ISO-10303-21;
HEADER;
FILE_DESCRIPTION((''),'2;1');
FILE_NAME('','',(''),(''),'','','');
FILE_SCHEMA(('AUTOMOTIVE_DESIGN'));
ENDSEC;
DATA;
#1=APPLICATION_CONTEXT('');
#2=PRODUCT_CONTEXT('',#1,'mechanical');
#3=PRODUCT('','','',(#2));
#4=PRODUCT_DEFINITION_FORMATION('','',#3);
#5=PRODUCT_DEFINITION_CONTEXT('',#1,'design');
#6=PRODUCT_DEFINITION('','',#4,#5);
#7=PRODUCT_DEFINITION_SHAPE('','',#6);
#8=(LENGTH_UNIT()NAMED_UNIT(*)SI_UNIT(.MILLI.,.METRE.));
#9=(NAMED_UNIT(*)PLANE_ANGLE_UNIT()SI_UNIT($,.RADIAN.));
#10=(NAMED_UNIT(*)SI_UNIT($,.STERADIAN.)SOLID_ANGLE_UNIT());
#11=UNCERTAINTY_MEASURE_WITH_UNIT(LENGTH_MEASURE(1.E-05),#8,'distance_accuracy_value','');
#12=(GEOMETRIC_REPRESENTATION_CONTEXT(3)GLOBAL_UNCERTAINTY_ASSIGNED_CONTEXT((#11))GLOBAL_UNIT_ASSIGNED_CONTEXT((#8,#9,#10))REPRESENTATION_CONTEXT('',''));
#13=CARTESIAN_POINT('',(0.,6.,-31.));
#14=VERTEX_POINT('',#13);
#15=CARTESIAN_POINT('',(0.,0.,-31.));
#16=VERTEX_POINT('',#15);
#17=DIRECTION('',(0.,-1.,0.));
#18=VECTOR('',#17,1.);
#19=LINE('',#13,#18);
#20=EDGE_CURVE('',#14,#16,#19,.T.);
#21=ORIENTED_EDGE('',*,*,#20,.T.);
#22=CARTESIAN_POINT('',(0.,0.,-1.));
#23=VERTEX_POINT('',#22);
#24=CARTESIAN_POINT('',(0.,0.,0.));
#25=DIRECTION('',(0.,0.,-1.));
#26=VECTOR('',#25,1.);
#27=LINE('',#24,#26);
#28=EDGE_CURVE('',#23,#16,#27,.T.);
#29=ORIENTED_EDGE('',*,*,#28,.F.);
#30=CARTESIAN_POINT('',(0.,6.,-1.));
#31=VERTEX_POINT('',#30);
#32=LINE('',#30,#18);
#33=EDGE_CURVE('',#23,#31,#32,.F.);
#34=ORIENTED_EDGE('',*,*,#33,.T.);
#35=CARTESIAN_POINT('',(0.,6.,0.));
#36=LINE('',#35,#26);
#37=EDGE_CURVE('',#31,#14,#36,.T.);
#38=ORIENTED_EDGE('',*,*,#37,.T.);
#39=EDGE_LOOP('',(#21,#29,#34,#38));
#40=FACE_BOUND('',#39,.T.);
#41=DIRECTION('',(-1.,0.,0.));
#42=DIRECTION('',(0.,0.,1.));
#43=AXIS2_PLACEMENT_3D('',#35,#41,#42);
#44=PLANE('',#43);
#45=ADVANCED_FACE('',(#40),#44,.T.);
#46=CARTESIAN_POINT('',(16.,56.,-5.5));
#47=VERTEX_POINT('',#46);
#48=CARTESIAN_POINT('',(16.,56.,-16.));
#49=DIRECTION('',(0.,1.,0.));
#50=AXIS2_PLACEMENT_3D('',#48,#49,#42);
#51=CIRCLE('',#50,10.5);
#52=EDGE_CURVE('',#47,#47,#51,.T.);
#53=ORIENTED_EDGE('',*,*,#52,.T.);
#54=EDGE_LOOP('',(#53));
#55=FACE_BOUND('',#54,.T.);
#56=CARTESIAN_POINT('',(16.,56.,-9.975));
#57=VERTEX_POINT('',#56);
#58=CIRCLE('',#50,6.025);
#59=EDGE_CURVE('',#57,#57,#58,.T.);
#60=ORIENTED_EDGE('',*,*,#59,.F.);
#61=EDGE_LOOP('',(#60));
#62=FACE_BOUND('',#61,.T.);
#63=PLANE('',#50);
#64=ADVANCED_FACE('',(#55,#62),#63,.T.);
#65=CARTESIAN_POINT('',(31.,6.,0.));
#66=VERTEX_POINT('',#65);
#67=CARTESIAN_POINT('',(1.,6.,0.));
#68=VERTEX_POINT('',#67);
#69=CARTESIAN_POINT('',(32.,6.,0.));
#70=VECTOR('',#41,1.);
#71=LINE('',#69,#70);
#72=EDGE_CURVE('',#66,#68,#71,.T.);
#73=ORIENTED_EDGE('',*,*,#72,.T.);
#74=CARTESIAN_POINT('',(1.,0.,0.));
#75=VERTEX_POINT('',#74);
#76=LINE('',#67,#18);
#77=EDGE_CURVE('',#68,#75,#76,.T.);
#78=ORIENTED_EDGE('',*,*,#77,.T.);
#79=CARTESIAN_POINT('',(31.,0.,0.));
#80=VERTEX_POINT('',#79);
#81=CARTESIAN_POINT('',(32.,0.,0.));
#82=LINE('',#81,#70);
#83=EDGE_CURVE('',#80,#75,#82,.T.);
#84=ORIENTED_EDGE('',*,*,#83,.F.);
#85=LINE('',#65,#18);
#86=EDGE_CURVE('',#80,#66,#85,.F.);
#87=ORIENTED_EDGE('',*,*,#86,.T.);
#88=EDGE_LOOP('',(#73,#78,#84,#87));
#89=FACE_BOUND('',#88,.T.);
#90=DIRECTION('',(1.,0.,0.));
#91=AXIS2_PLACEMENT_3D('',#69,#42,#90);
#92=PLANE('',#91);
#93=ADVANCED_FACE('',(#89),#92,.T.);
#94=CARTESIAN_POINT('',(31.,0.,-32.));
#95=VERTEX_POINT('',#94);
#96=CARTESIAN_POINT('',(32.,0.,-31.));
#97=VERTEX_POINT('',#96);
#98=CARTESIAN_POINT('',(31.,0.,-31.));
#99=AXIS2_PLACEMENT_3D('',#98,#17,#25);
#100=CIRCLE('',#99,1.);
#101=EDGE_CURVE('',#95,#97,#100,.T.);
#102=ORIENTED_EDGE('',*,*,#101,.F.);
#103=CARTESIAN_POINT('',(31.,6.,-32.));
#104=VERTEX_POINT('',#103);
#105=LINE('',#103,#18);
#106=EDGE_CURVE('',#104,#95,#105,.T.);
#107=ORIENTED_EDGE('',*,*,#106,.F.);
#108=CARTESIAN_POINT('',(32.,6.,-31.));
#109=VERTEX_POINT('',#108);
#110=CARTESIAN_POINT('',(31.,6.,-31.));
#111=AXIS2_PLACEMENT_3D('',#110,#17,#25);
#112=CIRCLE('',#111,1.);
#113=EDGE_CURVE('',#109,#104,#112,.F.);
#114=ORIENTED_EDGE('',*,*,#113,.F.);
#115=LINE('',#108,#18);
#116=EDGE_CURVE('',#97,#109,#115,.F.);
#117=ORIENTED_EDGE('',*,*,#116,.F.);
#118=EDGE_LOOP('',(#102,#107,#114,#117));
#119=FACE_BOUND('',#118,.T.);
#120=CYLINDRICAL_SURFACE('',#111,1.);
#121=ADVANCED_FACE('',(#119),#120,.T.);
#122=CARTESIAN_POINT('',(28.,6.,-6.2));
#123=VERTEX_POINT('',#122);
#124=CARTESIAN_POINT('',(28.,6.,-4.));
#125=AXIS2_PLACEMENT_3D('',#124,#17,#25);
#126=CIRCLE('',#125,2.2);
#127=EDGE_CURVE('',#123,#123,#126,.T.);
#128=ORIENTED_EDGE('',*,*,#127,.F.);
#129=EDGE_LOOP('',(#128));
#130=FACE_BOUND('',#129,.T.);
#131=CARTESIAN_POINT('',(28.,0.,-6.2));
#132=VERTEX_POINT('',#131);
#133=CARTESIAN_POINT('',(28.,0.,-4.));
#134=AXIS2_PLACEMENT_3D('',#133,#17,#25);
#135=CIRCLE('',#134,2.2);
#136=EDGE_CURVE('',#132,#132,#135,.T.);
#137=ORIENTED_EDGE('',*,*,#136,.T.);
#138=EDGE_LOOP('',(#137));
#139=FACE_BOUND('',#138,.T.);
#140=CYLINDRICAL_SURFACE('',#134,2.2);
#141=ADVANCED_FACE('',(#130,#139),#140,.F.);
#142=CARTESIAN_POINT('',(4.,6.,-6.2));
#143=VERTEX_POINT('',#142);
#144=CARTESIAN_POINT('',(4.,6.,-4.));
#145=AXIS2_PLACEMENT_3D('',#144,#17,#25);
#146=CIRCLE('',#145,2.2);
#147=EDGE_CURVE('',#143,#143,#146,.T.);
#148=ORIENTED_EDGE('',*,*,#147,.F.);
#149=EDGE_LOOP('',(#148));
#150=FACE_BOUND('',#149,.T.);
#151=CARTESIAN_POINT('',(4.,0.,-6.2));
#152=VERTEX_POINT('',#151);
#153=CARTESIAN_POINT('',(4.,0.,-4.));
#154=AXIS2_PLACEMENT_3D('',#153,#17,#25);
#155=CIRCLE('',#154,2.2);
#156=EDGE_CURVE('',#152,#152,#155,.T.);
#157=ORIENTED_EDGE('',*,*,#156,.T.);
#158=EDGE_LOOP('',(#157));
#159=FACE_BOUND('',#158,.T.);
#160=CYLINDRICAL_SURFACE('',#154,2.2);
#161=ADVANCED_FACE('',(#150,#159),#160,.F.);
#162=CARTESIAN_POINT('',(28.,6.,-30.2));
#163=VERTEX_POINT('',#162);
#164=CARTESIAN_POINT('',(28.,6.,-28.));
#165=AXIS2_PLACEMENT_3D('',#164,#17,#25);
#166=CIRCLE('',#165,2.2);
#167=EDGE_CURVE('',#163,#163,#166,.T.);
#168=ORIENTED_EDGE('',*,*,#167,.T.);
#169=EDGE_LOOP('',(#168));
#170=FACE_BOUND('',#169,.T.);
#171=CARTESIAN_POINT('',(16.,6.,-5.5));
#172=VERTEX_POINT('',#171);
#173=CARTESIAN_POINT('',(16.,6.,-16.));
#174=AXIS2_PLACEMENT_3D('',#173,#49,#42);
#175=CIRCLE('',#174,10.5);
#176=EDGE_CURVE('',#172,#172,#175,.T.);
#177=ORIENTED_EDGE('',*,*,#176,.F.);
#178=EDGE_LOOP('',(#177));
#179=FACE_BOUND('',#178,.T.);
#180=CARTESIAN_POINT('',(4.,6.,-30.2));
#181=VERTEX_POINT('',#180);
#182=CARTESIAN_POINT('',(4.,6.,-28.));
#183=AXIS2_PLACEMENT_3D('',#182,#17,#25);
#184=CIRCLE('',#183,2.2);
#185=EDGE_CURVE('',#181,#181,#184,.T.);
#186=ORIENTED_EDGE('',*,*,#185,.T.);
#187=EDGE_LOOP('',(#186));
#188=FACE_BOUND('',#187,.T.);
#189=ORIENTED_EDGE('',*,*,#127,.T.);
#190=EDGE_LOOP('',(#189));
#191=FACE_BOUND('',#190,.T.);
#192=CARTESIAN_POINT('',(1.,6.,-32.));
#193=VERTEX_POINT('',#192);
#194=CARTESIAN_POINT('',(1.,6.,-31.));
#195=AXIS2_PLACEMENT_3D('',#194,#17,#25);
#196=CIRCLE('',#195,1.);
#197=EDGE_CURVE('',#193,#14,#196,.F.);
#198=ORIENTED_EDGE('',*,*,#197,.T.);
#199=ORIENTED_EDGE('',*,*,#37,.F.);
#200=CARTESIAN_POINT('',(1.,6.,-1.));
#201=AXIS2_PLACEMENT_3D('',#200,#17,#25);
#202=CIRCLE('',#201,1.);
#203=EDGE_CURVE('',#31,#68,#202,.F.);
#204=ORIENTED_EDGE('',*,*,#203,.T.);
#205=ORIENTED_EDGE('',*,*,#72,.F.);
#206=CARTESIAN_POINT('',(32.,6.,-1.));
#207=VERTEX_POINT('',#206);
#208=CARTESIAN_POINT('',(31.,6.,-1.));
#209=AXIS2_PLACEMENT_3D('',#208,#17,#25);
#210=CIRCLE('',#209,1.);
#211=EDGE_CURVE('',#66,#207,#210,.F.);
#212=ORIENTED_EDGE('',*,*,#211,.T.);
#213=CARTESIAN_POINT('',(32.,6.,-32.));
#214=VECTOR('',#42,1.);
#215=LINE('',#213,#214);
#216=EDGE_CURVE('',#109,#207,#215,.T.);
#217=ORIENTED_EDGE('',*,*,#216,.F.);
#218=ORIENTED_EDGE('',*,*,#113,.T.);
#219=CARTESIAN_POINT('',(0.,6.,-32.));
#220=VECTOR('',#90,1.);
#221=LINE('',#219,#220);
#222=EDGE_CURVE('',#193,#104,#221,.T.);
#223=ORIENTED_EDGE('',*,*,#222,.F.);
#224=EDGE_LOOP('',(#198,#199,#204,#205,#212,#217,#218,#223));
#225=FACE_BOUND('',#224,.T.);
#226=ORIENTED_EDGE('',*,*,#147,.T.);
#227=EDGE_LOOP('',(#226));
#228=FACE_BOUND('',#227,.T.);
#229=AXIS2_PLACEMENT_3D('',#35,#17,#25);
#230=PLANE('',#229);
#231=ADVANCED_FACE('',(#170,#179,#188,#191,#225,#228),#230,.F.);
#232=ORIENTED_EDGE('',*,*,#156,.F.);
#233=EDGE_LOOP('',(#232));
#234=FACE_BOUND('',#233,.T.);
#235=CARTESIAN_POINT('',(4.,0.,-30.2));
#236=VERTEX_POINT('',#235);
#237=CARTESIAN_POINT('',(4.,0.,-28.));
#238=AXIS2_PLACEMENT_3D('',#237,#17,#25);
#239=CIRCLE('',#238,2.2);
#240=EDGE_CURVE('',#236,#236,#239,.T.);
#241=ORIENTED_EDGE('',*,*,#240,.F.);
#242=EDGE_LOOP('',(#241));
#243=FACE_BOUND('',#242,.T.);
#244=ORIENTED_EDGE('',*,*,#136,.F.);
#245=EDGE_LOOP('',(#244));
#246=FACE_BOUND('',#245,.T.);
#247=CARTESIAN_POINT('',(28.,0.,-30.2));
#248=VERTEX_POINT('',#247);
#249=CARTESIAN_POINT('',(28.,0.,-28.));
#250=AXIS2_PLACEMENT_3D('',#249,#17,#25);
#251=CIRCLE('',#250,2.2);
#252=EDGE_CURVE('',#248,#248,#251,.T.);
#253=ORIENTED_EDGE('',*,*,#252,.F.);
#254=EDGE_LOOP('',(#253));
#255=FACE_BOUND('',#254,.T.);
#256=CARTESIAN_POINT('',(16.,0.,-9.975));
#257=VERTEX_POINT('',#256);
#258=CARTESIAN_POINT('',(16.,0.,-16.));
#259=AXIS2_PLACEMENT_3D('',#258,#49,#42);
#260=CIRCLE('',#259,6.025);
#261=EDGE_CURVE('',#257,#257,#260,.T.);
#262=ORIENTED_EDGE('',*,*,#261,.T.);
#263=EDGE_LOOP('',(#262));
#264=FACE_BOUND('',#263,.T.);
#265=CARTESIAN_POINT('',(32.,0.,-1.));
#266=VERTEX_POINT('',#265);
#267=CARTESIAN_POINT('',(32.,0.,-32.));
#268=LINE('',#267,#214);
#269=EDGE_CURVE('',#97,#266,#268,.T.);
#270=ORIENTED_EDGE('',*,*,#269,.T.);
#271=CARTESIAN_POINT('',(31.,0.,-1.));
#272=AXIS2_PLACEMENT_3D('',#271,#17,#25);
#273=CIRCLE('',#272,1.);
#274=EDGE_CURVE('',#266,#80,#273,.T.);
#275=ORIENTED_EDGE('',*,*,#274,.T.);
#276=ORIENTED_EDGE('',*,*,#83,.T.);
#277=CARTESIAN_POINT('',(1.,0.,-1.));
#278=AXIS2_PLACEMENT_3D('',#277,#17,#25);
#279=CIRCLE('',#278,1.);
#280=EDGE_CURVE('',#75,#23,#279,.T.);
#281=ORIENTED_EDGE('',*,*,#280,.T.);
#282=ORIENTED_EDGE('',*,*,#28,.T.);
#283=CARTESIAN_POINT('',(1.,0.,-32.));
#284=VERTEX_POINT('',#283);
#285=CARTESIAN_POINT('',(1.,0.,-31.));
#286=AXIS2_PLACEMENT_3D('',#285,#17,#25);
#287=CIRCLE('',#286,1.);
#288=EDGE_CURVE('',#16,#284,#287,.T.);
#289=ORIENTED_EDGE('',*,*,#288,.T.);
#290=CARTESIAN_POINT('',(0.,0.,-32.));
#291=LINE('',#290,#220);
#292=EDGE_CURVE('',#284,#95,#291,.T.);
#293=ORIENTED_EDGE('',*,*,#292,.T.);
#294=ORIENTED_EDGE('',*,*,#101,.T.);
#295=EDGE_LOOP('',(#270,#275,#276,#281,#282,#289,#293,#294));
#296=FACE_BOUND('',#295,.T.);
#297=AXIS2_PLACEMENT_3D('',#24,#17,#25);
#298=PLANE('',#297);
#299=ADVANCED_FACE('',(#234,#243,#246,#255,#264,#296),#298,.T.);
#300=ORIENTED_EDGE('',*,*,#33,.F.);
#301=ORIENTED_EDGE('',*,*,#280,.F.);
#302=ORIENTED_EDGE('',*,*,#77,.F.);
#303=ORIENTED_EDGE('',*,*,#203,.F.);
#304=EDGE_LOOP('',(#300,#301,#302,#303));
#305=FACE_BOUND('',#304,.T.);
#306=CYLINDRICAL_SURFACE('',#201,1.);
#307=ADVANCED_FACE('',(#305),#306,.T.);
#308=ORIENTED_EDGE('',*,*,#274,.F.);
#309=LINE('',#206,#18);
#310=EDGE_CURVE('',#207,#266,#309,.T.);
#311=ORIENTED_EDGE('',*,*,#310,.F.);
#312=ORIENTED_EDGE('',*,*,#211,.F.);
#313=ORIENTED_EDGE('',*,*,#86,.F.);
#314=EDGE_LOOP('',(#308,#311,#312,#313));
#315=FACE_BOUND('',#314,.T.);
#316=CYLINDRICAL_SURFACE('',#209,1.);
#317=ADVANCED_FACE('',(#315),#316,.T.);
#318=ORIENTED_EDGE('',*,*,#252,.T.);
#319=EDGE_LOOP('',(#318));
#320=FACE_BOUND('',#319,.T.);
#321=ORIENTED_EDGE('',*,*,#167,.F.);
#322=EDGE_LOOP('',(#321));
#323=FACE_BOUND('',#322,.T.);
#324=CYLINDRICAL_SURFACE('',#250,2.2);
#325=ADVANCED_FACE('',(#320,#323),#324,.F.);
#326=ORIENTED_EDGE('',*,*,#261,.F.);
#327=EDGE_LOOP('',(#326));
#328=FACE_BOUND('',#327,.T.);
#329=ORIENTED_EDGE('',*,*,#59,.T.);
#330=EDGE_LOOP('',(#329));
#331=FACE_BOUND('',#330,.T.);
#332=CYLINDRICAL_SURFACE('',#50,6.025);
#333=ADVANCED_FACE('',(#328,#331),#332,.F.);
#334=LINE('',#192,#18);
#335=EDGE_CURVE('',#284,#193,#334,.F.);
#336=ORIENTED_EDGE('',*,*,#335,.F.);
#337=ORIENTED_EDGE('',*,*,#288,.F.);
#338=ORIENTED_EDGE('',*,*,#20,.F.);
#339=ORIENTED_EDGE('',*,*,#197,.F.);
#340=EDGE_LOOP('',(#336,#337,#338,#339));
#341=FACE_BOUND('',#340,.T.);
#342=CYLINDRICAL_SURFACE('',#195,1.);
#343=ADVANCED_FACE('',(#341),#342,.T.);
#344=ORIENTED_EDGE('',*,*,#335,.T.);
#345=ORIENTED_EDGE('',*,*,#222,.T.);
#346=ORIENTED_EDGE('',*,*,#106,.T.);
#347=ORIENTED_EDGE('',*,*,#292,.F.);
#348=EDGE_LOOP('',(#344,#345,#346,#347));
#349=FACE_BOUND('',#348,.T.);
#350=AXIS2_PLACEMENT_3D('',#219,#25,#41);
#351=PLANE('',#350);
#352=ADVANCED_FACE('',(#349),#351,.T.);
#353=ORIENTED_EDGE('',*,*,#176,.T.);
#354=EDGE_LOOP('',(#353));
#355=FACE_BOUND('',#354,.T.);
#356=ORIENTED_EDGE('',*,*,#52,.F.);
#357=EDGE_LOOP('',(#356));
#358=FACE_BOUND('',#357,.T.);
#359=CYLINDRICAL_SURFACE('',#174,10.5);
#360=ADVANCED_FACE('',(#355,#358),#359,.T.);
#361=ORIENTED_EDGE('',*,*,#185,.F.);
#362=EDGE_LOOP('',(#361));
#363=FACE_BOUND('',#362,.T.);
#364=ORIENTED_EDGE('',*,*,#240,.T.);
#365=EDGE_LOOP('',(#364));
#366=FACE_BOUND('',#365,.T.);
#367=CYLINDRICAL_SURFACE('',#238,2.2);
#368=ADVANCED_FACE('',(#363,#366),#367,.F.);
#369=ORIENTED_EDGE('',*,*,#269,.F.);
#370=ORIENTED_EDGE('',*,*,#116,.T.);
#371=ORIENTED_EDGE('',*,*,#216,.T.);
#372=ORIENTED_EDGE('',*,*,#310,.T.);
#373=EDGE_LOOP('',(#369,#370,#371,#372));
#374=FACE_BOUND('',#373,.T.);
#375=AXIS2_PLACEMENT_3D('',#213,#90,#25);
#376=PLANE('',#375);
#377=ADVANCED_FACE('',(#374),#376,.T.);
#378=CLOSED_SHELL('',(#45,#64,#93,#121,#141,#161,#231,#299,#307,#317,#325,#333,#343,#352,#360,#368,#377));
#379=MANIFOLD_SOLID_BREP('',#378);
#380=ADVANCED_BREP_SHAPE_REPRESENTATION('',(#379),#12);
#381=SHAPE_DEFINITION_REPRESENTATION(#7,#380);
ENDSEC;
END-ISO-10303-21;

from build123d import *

# Parameters (mm, degrees)
SKETCH1_W                      = 32
SKETCH1_H                      = 32
BOSS_EXTRUDE1_DEPTH            = 6
SKETCH2_W                      = 10.5
SKETCH2_H                      = 50
F_4_4_4_4_DIAMETER_HOLE1_D     = 4.4
F_4_4_4_4_DIAMETER_HOLE1_DEPTH = 56
HOLE1_D                        = 12.05
FILLET1_R                      = 1


with BuildPart() as part:
    # Sketch1 → Boss-Extrude1 (new body)
    with BuildSketch(Plane.XZ):
        with Locations((16, -16)):
            Rectangle(SKETCH1_W, SKETCH1_H)
    extrude(amount=-BOSS_EXTRUDE1_DEPTH)

    # Sketch2 → Revolve1 (revolve)
    with BuildSketch(Plane(origin=(0, 0, -16.000000238), x_dir=(-1, 0, 0), z_dir=(0, 0, -1)), mode=Mode.PRIVATE) as revolve1_sk:
        with Locations((-21.250000238, 31)):
            Rectangle(SKETCH2_W, SKETCH2_H)
    revolve(revolve1_sk.sketch.rotate(Axis((16.000000238, 6, -16.000000238), (0, 1, 0)), 270), axis=Axis((16.000000238, 6, -16.000000238), (0, 1, 0)))

    # Ø4.4 (4.4) Diameter Hole1
    with Locations(Plane(origin=(0, 0, 0), x_dir=(-1, 0, 0), z_dir=(0, -1, 0))):
        with Locations((-28, 4), (-28, 28), (-4.00000006, 4.00000006), (-4.00000006, 28.000000417)):
            Hole(F_4_4_4_4_DIAMETER_HOLE1_D / 2, depth=F_4_4_4_4_DIAMETER_HOLE1_DEPTH)

    # Hole1 (through all)
    with Locations(Plane(origin=(0, 56, 0), x_dir=(1, 0, 0), z_dir=(0, 1, 0))):
        with Locations((16.000000238, 16.000000238)):
            Hole(HOLE1_D / 2)

    # Fillet1
    fillet1_edges = [part.edges().sort_by_distance(p)[0] for p in [
        (0, 3, -32),
        (0, 3, 0),
        (32, 3, 0),
        (32, 3, -32),
    ]]
    fillet(fillet1_edges, radius=FILLET1_R)


solid = part.part
